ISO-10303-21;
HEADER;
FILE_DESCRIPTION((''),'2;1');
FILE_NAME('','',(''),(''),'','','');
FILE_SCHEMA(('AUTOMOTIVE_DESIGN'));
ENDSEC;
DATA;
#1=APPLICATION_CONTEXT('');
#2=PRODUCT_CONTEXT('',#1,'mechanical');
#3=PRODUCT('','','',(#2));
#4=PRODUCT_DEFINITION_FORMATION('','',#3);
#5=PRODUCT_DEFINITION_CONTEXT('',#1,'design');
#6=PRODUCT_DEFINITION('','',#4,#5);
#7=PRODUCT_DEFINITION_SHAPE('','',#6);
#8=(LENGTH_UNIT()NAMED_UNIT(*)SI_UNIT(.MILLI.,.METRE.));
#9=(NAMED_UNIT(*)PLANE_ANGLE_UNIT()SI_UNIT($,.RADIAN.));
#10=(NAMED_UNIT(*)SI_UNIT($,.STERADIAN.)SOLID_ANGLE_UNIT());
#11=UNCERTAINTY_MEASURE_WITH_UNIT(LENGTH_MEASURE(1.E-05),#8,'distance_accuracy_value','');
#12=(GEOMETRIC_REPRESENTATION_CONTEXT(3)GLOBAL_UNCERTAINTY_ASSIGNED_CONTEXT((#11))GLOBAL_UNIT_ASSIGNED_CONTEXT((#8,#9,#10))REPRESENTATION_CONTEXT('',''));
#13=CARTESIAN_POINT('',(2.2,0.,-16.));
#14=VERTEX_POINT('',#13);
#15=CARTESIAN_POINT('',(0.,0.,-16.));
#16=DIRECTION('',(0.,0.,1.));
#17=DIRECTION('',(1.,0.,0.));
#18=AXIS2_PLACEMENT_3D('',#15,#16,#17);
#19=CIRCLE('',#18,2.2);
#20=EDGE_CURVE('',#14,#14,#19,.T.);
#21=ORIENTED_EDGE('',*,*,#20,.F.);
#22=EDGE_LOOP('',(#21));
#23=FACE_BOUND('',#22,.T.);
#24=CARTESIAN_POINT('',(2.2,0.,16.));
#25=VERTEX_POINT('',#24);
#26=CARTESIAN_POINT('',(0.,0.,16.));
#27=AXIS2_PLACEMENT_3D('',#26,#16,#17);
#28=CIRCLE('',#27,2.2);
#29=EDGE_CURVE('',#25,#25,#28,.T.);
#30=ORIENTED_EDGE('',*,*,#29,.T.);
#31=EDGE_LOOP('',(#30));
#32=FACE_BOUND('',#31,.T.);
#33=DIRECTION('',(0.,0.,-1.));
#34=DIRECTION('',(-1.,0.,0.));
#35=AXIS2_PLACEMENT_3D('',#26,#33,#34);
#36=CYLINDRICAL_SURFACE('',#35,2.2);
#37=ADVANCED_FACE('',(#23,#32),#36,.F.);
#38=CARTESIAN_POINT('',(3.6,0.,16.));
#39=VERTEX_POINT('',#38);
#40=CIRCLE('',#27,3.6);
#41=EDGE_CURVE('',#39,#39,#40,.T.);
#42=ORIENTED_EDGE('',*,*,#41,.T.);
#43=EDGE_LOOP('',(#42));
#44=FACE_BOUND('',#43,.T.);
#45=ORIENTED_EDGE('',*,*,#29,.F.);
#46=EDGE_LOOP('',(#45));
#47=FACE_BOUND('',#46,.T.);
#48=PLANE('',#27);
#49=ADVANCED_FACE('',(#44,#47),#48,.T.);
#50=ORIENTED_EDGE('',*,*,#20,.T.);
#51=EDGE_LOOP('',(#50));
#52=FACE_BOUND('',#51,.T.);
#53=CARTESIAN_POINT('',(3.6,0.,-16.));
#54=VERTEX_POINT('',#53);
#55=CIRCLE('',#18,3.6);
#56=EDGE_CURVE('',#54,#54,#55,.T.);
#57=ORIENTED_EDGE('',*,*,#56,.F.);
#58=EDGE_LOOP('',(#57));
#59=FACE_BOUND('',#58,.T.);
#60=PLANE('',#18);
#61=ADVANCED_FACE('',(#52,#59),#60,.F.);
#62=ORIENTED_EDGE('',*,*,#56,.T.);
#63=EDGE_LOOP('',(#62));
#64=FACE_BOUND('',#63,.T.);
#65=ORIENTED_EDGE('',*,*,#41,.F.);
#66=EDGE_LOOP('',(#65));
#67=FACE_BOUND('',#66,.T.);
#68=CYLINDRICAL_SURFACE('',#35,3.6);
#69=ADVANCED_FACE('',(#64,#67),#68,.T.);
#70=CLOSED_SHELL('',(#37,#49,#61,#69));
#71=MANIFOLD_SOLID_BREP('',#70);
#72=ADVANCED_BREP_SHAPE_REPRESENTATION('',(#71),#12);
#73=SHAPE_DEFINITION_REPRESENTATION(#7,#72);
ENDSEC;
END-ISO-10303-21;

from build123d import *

# Parameters (mm, degrees)
SKETCH_1_R      = 3.6
SKETCH_1_R_2    = 2.2
EXTRUDE_1_DEPTH = 16


with BuildPart() as part:
    # 草图1 → 凸台-拉伸1 (new, symmetric)
    with BuildSketch(Plane.XY):
        Circle(SKETCH_1_R)
        Circle(SKETCH_1_R_2, mode=Mode.SUBTRACT)
    extrude(amount=EXTRUDE_1_DEPTH, both=True)


solid = part.part
